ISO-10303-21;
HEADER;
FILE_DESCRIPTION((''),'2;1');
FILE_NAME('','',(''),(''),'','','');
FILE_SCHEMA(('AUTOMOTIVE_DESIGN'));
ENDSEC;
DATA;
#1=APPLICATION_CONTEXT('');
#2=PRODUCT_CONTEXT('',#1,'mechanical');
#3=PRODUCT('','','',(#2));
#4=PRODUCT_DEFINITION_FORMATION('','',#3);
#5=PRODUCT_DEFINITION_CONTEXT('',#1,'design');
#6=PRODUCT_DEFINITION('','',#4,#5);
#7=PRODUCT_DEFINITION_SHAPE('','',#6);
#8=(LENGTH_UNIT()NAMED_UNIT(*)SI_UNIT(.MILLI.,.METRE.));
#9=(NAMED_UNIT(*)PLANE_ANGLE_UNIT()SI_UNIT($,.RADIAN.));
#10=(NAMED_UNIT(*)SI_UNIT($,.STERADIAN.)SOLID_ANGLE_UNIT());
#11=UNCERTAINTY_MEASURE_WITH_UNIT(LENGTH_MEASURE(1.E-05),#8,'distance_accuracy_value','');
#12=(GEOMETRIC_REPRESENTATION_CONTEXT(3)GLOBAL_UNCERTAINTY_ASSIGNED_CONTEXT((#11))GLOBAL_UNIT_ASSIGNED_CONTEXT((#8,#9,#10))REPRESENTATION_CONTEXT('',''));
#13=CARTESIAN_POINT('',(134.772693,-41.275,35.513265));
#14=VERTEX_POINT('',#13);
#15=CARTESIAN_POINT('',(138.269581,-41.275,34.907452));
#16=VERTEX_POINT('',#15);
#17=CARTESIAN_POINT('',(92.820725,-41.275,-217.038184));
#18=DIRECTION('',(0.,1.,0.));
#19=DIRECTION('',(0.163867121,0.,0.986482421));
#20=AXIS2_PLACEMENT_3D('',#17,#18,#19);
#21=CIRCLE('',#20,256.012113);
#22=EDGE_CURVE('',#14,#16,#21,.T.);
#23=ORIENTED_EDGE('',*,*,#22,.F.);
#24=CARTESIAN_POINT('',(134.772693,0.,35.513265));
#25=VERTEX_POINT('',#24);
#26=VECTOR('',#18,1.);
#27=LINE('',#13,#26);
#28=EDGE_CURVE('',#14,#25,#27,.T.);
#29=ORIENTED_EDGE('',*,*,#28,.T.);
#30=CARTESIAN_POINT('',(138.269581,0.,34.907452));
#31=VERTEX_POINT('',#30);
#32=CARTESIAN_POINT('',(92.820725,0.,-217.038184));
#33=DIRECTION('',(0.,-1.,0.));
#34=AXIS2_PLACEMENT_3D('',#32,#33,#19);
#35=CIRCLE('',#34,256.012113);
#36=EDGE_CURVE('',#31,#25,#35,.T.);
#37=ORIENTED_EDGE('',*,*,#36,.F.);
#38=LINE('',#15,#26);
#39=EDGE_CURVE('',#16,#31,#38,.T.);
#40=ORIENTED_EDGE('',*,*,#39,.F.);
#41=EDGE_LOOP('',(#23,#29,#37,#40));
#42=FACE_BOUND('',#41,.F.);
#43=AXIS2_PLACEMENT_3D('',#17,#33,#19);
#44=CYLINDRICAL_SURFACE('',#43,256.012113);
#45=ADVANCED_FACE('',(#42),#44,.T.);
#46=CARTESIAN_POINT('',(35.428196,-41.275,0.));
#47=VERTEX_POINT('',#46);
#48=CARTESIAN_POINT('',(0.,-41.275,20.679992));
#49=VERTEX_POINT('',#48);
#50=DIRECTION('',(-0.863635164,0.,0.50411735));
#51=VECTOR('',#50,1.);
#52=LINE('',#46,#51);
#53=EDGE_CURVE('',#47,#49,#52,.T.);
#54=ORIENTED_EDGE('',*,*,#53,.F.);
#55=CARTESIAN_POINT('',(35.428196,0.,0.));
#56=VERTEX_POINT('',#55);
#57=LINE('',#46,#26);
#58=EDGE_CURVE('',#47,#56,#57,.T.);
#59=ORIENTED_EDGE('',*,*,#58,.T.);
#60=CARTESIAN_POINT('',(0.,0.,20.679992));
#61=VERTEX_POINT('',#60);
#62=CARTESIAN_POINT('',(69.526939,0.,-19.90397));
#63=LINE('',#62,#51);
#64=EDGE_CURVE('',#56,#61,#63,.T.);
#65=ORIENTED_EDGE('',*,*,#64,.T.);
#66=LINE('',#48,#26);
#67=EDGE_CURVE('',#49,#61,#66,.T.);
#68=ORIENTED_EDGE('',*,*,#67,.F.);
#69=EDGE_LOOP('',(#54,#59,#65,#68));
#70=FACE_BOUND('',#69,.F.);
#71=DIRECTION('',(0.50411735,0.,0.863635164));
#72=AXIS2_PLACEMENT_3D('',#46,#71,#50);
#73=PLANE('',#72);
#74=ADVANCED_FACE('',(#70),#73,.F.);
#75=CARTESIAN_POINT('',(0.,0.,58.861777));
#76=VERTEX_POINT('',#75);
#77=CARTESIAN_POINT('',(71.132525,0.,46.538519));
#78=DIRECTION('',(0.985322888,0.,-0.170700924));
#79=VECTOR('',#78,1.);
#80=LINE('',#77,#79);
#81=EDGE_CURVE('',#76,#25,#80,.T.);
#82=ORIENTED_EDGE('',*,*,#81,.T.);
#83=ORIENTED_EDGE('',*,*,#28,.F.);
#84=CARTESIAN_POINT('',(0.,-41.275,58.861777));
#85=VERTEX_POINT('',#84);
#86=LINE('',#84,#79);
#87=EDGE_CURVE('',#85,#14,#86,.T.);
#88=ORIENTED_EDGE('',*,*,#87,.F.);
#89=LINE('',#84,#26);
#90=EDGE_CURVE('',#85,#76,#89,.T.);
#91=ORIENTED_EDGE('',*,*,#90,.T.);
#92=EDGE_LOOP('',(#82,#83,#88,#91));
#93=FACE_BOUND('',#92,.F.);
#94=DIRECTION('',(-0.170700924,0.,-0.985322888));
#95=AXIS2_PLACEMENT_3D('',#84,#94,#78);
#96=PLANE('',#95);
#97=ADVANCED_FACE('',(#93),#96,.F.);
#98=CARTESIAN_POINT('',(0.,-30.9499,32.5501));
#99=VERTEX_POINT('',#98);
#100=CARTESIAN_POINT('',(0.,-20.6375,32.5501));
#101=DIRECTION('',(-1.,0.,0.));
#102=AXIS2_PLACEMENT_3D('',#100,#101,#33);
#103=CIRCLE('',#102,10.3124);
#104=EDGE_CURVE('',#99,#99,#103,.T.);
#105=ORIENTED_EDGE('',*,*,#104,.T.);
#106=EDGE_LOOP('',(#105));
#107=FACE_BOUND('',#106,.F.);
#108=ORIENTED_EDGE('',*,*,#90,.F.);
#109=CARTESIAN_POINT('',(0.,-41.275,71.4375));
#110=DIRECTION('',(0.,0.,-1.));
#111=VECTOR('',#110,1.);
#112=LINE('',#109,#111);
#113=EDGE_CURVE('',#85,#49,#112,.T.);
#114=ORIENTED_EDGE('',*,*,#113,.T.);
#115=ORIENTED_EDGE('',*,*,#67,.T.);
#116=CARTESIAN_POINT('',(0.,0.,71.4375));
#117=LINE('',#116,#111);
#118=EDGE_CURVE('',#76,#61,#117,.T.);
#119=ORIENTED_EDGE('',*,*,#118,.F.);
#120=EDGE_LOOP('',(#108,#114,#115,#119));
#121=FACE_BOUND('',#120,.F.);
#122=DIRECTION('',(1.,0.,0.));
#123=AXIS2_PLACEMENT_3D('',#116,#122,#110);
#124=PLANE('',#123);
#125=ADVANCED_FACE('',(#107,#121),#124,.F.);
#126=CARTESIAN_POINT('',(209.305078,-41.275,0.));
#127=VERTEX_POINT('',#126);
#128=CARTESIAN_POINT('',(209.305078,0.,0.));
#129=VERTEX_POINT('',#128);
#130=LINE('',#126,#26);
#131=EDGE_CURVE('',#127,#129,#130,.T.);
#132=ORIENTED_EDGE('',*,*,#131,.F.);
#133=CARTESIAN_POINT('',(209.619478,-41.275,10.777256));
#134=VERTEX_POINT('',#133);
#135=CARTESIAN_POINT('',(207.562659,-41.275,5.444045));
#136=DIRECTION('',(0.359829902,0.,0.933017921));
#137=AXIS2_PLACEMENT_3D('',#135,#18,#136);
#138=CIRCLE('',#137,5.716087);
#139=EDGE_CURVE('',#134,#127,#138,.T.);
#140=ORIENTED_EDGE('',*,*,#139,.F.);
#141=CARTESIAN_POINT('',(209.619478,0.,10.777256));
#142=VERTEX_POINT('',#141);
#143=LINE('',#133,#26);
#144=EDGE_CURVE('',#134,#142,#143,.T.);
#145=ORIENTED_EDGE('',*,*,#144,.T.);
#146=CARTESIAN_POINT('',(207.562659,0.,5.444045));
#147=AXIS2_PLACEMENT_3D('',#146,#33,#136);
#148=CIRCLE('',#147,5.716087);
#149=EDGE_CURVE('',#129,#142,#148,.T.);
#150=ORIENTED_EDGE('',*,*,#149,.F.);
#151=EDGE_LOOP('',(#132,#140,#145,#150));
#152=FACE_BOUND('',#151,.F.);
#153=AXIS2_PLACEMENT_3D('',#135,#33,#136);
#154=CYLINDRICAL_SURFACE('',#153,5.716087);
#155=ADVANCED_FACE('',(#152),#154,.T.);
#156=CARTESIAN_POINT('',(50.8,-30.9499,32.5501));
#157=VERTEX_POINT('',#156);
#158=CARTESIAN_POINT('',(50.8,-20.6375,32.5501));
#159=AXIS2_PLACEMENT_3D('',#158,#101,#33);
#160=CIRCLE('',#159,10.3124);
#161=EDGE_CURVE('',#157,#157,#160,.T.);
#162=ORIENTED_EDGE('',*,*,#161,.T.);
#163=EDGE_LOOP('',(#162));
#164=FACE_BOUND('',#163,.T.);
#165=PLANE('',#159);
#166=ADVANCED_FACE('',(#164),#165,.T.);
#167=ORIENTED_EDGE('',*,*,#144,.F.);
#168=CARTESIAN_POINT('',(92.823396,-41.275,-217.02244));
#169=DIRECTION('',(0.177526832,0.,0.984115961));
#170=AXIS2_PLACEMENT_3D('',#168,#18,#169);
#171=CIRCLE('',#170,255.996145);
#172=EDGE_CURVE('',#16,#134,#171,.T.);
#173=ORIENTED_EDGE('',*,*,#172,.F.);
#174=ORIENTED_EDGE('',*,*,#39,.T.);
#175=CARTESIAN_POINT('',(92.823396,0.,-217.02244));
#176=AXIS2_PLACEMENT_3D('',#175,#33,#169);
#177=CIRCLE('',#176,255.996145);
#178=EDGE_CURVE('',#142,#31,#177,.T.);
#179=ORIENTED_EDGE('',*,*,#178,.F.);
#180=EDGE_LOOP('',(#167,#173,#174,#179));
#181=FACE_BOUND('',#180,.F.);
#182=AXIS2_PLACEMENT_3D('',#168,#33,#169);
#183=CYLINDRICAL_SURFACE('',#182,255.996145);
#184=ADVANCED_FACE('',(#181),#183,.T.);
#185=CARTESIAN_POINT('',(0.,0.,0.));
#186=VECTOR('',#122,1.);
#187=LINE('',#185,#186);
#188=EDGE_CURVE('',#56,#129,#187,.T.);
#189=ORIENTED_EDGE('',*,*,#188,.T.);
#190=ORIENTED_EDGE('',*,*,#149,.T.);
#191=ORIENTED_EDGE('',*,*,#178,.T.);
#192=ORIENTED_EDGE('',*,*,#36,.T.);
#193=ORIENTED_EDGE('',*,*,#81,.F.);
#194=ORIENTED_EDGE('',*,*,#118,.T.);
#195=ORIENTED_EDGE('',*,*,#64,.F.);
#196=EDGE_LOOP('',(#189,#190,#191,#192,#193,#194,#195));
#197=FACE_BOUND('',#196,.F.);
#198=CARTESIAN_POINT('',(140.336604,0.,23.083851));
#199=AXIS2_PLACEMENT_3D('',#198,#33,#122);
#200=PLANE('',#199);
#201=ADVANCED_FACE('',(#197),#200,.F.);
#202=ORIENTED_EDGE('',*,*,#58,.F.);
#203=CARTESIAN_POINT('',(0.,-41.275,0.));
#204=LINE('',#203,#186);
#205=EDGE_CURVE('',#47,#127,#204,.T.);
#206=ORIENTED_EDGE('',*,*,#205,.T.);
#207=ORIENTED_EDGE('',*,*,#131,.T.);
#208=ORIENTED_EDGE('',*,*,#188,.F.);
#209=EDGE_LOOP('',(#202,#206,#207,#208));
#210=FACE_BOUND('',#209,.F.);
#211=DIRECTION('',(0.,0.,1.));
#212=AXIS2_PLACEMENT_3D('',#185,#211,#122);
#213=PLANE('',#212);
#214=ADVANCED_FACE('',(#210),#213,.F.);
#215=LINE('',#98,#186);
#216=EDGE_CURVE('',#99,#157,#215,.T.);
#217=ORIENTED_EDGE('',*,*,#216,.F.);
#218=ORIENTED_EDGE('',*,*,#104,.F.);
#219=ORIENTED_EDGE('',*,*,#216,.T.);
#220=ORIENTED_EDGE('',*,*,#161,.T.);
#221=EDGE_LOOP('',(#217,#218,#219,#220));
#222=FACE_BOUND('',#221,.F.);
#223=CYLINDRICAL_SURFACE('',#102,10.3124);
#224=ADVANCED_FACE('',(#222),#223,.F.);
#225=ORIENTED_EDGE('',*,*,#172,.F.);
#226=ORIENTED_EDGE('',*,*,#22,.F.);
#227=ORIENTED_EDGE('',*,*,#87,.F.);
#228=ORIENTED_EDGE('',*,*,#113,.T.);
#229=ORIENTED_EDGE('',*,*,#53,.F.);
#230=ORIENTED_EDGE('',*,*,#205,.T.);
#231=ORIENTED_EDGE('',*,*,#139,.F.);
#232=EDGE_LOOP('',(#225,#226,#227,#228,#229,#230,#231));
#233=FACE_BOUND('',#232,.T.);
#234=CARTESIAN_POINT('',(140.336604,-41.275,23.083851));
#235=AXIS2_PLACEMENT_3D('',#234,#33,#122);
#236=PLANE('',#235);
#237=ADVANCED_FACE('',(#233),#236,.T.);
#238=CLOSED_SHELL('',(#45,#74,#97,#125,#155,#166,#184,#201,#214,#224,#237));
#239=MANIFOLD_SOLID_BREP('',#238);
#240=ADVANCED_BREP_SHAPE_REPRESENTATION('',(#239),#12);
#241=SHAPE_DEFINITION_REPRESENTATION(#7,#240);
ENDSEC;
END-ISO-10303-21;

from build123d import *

# Parameters (mm, degrees)
F1_DEPTH = 41.275
F2_R     = 10.3124
F3_DEPTH = 50.8
F5_DEPTH = 41.276


with BuildPart() as f1:
    # F0 (on Front) → F1 (new body)
    with BuildSketch(Plane.XZ):
        Polygon((0, 71.4375), (0, 0), (304.8, 0), (304.8, 15.875), align=None)
    extrude(amount=F1_DEPTH)

    # F2 (on face) → F3 (cut)
    with BuildSketch(Plane(origin=(0, 0, 0), x_dir=(0, -1, 0), z_dir=(-1, 0, 0))):
        with Locations((20.6375, 32.5501)):
            Circle(F2_R)
    extrude(amount=-F3_DEPTH, mode=Mode.SUBTRACT)

    # F4 (on face) → F5 (cut, through all)
    with BuildSketch(Plane.XZ.offset(41.275)):
        Polygon((35.428196, 0), (0, 20.679992), (0, 0), align=None)
        with BuildLine():
            ThreePointArc((138.269581, 34.907452), (174.836839, 25.4808), (209.619478, 10.777256))
            ThreePointArc((209.619478, 10.777256), (213.276315, 5.277363), (209.305078, 0))
            Line((209.305078, 0), (304.8, 0))
            Line((304.8, 0), (304.8, 15.875))
            Line((304.8, 15.875), (0, 71.4375))
            Line((0, 71.4375), (0, 58.861777))
            Line((0, 58.861777), (134.772693, 35.513265))
            ThreePointArc((134.772693, 35.513265), (136.522187, 35.216418), (138.269581, 34.907452))
        make_face()
    extrude(amount=-F5_DEPTH, mode=Mode.SUBTRACT)


solid = f1.part
